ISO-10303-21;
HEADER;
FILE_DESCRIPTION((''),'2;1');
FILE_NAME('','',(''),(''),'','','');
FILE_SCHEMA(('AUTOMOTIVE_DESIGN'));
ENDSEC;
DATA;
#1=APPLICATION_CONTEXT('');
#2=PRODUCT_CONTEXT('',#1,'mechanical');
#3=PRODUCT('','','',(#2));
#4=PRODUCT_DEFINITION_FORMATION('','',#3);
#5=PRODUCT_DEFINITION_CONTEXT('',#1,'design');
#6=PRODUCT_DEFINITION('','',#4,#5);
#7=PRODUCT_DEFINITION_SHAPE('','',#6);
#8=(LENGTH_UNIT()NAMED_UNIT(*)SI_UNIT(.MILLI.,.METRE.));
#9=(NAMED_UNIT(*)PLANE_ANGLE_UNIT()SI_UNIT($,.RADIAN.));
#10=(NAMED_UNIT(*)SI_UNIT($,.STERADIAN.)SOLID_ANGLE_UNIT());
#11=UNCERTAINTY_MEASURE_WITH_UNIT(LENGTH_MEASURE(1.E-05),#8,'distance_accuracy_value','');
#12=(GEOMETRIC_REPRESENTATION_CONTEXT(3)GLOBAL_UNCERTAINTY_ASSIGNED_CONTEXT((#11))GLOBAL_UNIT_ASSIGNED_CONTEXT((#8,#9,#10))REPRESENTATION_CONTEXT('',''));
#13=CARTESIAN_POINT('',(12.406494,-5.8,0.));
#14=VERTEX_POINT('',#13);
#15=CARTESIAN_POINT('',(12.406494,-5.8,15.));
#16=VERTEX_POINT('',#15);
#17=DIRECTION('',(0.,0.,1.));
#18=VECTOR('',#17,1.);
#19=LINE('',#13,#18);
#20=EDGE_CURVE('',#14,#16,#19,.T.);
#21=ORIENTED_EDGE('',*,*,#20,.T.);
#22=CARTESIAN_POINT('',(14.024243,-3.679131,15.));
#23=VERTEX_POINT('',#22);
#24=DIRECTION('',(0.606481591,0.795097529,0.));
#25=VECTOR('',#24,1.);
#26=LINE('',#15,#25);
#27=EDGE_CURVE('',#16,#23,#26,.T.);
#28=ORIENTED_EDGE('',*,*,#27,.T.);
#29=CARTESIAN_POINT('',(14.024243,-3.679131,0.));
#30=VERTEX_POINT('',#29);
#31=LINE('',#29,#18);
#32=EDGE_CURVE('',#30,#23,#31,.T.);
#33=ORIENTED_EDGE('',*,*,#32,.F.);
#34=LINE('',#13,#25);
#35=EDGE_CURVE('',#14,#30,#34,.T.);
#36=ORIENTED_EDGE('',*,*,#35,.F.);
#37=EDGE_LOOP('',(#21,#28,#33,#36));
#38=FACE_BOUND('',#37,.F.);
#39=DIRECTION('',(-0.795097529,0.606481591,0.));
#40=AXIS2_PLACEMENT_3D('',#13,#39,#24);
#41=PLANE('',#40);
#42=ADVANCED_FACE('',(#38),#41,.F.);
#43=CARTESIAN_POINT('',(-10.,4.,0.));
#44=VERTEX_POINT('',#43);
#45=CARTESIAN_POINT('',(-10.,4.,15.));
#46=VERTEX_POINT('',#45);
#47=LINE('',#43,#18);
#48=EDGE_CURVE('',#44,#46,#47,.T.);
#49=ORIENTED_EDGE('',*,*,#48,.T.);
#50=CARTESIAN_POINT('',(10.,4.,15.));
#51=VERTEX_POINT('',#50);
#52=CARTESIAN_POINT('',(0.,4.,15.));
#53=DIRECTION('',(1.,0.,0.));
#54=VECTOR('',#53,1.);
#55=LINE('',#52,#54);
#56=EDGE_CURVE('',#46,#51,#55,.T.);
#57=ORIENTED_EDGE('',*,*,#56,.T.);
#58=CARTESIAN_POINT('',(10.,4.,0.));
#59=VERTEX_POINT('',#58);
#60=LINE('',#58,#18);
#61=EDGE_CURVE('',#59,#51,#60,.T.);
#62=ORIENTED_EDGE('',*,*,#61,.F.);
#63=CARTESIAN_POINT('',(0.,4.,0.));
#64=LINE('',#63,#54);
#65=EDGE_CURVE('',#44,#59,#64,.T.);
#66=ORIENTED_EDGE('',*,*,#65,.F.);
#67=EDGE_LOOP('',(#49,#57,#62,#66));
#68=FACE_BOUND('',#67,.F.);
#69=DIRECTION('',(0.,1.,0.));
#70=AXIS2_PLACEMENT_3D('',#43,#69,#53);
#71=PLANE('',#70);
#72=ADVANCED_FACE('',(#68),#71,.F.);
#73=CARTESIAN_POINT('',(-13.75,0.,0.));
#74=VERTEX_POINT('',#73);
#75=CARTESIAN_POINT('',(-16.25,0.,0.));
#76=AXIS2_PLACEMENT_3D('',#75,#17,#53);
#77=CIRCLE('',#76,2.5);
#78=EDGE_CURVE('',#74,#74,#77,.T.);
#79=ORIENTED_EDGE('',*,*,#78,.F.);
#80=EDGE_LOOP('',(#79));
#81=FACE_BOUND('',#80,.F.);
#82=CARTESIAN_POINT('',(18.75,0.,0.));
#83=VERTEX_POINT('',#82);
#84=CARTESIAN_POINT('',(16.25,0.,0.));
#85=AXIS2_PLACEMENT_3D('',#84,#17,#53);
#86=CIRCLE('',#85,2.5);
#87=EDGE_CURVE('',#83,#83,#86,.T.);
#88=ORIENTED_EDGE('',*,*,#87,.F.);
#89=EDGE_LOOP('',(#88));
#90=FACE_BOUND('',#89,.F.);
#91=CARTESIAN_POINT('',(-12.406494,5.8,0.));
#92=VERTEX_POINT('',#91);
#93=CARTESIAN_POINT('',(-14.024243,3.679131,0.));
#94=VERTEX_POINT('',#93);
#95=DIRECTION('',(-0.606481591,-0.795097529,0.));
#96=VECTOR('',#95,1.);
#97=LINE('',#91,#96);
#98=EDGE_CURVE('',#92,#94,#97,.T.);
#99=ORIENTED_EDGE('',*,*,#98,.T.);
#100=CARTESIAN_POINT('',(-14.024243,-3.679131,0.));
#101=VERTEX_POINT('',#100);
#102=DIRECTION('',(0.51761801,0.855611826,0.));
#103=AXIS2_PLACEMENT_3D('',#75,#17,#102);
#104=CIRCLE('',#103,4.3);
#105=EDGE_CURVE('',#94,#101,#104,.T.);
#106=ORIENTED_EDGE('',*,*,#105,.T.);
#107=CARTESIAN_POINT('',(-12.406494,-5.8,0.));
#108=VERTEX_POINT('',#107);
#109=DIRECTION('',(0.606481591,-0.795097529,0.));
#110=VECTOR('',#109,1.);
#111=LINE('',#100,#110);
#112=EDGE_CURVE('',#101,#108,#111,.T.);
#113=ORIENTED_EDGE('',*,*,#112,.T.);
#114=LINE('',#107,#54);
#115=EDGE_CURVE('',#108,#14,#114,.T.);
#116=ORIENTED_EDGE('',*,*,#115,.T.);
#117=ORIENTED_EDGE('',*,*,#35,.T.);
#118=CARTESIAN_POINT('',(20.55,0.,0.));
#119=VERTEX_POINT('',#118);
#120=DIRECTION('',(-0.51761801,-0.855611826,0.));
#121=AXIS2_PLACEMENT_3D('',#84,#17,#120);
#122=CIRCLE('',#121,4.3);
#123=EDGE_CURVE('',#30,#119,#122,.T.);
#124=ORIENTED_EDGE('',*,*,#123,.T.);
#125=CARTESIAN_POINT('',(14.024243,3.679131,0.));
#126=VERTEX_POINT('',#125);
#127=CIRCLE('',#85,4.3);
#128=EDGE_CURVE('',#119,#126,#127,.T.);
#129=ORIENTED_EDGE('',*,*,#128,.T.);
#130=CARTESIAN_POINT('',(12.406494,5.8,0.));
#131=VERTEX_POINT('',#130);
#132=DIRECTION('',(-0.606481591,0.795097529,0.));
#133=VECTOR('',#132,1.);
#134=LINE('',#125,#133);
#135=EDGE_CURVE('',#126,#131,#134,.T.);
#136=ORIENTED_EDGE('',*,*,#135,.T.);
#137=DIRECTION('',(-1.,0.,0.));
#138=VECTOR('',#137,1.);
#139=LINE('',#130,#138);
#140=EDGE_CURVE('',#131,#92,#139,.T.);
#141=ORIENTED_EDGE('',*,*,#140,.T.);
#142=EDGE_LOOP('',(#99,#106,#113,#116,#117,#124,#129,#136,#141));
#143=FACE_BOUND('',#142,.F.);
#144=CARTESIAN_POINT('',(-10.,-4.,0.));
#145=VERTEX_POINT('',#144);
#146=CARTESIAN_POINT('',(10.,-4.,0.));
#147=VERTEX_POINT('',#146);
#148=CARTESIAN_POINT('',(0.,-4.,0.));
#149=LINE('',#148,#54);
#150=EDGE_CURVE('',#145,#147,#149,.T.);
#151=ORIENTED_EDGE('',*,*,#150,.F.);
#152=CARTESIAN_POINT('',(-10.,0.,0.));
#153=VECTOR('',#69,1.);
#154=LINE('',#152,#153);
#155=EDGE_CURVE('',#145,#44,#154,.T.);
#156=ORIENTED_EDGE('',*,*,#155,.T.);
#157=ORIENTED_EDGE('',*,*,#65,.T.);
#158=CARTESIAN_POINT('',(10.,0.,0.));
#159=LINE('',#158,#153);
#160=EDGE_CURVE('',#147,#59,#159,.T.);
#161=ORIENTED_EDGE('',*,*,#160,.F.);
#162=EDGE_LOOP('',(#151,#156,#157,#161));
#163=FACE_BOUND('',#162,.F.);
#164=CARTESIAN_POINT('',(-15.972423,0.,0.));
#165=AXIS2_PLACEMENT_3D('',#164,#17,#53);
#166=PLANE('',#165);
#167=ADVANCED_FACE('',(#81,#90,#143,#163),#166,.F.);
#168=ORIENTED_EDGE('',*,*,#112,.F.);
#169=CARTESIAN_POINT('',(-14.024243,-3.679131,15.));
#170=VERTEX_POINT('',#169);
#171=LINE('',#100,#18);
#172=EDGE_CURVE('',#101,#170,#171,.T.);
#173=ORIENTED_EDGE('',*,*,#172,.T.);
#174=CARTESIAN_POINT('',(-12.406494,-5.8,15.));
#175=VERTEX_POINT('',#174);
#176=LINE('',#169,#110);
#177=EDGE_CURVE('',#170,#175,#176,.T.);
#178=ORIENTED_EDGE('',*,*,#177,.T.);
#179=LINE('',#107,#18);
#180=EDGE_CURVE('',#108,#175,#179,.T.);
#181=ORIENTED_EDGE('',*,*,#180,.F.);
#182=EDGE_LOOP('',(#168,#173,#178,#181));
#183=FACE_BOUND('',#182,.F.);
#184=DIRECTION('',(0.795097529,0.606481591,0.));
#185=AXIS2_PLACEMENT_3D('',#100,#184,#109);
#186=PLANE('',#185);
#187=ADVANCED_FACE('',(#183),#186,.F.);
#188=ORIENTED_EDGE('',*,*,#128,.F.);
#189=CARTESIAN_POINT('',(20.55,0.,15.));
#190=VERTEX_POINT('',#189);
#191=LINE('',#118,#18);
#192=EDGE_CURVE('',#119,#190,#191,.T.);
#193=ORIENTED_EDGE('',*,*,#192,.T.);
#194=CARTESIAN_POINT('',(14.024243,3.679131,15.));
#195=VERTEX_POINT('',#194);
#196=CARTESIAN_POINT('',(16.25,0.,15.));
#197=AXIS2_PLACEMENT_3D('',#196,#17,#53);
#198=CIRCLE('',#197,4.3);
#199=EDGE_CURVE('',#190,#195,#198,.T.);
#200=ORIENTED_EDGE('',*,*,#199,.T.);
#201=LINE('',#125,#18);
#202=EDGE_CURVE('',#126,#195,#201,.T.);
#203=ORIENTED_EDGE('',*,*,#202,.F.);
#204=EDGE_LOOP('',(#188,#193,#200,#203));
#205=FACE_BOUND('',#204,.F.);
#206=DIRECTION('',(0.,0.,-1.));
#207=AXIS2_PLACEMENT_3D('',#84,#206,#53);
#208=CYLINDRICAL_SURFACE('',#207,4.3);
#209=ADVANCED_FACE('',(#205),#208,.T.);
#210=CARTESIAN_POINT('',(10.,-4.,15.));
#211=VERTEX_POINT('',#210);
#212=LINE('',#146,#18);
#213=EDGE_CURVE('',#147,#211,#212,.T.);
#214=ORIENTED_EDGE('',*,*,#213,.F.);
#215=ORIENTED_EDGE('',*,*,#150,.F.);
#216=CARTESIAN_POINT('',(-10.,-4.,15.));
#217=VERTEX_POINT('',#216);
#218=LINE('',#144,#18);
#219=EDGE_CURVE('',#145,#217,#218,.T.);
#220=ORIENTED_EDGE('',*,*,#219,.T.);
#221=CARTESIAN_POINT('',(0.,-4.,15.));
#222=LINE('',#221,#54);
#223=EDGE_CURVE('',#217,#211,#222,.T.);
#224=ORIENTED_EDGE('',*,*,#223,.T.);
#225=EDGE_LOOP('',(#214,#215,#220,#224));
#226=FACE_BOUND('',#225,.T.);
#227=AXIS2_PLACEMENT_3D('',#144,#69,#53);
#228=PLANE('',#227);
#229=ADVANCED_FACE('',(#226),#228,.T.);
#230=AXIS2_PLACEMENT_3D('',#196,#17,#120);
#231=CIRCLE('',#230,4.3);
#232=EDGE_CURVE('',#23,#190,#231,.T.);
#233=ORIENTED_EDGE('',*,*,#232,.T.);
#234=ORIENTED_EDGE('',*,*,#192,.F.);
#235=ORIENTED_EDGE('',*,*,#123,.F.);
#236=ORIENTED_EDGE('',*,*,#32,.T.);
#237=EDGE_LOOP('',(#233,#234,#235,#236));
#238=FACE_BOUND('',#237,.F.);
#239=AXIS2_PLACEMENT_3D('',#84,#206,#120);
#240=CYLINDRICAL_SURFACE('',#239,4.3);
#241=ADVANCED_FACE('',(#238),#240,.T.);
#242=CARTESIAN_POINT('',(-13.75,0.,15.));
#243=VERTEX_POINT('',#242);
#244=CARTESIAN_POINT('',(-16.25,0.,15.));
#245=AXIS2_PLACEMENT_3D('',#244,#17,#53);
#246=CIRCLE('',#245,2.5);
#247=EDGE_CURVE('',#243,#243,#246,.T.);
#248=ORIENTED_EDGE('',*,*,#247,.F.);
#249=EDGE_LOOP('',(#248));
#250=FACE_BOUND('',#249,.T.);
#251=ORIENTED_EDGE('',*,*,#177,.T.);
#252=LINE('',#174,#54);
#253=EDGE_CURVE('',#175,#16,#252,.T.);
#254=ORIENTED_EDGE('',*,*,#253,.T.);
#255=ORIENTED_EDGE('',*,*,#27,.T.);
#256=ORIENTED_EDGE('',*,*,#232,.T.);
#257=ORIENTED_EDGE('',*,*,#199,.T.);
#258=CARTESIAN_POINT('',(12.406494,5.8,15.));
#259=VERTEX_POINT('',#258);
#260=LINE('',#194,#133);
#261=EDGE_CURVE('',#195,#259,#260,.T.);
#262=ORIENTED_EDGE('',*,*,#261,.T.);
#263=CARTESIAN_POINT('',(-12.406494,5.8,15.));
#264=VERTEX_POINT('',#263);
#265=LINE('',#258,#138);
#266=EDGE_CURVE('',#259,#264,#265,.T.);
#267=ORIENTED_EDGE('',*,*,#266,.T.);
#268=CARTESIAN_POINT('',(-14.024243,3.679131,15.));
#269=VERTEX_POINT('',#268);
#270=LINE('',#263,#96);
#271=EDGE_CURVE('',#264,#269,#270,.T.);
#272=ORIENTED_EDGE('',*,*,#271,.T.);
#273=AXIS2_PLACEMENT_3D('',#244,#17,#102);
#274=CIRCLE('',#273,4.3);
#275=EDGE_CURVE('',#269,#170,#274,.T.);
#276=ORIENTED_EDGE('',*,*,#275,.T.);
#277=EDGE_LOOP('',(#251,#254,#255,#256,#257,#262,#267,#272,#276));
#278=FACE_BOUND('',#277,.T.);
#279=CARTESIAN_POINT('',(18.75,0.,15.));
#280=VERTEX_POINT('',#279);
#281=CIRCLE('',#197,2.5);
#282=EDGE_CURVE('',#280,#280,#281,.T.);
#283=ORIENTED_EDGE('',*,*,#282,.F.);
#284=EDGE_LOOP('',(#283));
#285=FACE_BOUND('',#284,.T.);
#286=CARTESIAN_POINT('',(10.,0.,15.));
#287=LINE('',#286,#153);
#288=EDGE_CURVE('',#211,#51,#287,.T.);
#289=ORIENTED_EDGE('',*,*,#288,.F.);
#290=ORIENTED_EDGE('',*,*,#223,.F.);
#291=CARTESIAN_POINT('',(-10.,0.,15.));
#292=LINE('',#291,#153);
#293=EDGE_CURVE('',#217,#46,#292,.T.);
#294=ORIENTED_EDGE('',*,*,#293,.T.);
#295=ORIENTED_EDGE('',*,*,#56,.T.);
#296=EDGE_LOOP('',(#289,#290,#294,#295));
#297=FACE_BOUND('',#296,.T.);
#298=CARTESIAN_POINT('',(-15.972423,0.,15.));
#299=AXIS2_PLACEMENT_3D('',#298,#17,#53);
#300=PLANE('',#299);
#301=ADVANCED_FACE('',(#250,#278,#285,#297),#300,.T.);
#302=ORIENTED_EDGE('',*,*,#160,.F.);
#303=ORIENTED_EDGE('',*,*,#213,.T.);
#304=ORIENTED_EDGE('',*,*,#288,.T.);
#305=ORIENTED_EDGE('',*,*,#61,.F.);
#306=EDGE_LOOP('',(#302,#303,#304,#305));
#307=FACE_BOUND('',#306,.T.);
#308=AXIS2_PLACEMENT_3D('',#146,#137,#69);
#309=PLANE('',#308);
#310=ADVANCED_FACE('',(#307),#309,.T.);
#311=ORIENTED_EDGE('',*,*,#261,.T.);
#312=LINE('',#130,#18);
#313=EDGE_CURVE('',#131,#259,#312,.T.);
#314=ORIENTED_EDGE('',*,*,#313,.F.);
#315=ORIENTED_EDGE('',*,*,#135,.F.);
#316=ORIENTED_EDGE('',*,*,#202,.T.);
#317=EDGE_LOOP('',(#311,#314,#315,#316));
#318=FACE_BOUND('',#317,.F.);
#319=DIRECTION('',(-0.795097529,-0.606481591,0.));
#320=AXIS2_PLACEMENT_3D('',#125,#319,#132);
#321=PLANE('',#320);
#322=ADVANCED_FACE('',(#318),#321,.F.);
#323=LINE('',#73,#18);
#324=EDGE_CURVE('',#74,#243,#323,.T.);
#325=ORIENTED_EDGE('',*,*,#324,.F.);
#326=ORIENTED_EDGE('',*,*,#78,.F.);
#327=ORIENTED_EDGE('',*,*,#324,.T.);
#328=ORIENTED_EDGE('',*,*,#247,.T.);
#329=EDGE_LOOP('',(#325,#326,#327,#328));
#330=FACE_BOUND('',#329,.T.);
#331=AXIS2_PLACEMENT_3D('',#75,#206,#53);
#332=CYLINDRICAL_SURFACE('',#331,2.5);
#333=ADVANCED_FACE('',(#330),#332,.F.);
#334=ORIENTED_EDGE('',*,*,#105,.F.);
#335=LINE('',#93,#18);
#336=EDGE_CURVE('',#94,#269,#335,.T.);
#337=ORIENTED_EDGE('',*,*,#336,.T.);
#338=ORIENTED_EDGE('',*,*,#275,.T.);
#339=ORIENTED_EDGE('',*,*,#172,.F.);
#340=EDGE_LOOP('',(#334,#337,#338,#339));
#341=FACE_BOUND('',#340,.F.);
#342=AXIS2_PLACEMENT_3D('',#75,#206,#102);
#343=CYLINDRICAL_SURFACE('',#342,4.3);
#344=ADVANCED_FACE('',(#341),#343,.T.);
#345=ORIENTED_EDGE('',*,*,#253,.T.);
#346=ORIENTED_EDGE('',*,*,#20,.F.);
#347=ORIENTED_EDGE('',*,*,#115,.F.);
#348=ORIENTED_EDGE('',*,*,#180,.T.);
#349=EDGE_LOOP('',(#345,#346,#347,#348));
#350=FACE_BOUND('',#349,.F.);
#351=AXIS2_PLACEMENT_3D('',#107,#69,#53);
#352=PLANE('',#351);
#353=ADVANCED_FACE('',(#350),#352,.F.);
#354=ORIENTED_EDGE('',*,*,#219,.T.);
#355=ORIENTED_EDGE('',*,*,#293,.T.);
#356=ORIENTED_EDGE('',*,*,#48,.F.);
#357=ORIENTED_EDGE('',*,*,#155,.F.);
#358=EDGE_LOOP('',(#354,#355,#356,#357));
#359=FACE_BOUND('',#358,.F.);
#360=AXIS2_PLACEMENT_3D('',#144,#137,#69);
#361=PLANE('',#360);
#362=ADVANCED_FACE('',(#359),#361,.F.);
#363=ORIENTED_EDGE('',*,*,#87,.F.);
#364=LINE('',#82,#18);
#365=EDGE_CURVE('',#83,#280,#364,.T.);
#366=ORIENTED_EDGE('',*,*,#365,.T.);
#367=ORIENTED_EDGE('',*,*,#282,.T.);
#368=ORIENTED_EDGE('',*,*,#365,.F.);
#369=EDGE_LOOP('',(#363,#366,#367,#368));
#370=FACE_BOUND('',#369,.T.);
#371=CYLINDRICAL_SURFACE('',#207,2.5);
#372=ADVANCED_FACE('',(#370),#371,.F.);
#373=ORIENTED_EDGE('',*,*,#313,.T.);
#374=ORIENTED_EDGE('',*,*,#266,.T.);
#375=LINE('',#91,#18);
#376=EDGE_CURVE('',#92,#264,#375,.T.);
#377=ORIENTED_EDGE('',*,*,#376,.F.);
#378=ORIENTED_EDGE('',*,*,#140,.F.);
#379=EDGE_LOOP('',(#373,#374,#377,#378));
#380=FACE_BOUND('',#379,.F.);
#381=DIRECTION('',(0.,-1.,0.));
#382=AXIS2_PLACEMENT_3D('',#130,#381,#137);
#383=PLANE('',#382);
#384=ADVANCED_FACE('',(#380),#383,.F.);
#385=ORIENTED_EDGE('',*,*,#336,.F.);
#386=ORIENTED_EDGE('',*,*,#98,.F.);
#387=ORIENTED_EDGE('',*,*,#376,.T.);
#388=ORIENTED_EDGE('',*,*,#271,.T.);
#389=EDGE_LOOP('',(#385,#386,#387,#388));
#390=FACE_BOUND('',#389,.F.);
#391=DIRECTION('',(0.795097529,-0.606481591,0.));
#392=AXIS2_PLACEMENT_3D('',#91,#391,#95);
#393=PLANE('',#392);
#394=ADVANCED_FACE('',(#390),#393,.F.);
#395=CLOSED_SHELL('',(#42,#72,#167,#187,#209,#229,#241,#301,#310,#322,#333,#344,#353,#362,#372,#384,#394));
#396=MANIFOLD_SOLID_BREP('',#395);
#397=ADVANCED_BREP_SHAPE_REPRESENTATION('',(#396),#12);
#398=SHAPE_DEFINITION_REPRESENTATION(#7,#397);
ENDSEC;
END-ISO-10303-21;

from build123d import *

# Parameters (mm, degrees)
F1_R     = 2.5
F1_W     = 20
F1_H     = 8
F2_DEPTH = 15


with BuildPart() as f2:
    # F1 (on Top) → F2 (new body)
    with BuildSketch(Plane.XY):
        with BuildLine():
            ThreePointArc((-14.0242425586, -3.6791308501), (-12.5042853153, -2.1117815941), (-11.95, 0))
            ThreePointArc((-11.95, 0), (-12.5042853153, 2.1117815941), (-14.0242425586, 3.6791308501))
            ThreePointArc((-14.0242425586, 3.6791308501), (-20.55, 0), (-14.0242425586, -3.6791308501))
        make_face()
        with Locations((-16.25, 0)):
            Circle(F1_R, mode=Mode.SUBTRACT)
        with BuildLine():
            ThreePointArc((-14.0242425586, 3.6791308501), (-12.5042853153, 2.1117815941), (-11.95, 0))
            ThreePointArc((-11.95, 0), (-12.5042853153, -2.1117815941), (-14.0242425586, -3.6791308501))
            Line((-14.0242425586, -3.6791308501), (-12.4064937305, -5.8))
            Line((-12.4064937305, -5.8), (0, -5.8))
            Line((0, -5.8), (12.4064937305, -5.8))
            Line((12.4064937305, -5.8), (14.0242425586, -3.6791308501))
            ThreePointArc((14.0242425586, -3.6791308501), (11.95, 0), (14.0242425586, 3.6791308501))
            Line((14.0242425586, 3.6791308501), (12.4064937305, 5.8))
            Line((12.4064937305, 5.8), (0, 5.8))
            Line((0, 5.8), (-12.4064937305, 5.8))
            Line((-12.4064937305, 5.8), (-14.0242425586, 3.6791308501))
        make_face()
        Rectangle(F1_W, F1_H, mode=Mode.SUBTRACT)
        with BuildLine():
            ThreePointArc((20.55, 0), (18.3617815941, 3.7457146847), (14.0242425586, 3.6791308501))
            ThreePointArc((14.0242425586, 3.6791308501), (11.95, 0), (14.0242425586, -3.6791308501))
            ThreePointArc((14.0242425586, -3.6791308501), (18.3617815941, -3.7457146847), (20.55, 0))
        make_face()
        with Locations((16.25, 0)):
            Circle(F1_R, mode=Mode.SUBTRACT)
    extrude(amount=F2_DEPTH)


solid = f2.part
